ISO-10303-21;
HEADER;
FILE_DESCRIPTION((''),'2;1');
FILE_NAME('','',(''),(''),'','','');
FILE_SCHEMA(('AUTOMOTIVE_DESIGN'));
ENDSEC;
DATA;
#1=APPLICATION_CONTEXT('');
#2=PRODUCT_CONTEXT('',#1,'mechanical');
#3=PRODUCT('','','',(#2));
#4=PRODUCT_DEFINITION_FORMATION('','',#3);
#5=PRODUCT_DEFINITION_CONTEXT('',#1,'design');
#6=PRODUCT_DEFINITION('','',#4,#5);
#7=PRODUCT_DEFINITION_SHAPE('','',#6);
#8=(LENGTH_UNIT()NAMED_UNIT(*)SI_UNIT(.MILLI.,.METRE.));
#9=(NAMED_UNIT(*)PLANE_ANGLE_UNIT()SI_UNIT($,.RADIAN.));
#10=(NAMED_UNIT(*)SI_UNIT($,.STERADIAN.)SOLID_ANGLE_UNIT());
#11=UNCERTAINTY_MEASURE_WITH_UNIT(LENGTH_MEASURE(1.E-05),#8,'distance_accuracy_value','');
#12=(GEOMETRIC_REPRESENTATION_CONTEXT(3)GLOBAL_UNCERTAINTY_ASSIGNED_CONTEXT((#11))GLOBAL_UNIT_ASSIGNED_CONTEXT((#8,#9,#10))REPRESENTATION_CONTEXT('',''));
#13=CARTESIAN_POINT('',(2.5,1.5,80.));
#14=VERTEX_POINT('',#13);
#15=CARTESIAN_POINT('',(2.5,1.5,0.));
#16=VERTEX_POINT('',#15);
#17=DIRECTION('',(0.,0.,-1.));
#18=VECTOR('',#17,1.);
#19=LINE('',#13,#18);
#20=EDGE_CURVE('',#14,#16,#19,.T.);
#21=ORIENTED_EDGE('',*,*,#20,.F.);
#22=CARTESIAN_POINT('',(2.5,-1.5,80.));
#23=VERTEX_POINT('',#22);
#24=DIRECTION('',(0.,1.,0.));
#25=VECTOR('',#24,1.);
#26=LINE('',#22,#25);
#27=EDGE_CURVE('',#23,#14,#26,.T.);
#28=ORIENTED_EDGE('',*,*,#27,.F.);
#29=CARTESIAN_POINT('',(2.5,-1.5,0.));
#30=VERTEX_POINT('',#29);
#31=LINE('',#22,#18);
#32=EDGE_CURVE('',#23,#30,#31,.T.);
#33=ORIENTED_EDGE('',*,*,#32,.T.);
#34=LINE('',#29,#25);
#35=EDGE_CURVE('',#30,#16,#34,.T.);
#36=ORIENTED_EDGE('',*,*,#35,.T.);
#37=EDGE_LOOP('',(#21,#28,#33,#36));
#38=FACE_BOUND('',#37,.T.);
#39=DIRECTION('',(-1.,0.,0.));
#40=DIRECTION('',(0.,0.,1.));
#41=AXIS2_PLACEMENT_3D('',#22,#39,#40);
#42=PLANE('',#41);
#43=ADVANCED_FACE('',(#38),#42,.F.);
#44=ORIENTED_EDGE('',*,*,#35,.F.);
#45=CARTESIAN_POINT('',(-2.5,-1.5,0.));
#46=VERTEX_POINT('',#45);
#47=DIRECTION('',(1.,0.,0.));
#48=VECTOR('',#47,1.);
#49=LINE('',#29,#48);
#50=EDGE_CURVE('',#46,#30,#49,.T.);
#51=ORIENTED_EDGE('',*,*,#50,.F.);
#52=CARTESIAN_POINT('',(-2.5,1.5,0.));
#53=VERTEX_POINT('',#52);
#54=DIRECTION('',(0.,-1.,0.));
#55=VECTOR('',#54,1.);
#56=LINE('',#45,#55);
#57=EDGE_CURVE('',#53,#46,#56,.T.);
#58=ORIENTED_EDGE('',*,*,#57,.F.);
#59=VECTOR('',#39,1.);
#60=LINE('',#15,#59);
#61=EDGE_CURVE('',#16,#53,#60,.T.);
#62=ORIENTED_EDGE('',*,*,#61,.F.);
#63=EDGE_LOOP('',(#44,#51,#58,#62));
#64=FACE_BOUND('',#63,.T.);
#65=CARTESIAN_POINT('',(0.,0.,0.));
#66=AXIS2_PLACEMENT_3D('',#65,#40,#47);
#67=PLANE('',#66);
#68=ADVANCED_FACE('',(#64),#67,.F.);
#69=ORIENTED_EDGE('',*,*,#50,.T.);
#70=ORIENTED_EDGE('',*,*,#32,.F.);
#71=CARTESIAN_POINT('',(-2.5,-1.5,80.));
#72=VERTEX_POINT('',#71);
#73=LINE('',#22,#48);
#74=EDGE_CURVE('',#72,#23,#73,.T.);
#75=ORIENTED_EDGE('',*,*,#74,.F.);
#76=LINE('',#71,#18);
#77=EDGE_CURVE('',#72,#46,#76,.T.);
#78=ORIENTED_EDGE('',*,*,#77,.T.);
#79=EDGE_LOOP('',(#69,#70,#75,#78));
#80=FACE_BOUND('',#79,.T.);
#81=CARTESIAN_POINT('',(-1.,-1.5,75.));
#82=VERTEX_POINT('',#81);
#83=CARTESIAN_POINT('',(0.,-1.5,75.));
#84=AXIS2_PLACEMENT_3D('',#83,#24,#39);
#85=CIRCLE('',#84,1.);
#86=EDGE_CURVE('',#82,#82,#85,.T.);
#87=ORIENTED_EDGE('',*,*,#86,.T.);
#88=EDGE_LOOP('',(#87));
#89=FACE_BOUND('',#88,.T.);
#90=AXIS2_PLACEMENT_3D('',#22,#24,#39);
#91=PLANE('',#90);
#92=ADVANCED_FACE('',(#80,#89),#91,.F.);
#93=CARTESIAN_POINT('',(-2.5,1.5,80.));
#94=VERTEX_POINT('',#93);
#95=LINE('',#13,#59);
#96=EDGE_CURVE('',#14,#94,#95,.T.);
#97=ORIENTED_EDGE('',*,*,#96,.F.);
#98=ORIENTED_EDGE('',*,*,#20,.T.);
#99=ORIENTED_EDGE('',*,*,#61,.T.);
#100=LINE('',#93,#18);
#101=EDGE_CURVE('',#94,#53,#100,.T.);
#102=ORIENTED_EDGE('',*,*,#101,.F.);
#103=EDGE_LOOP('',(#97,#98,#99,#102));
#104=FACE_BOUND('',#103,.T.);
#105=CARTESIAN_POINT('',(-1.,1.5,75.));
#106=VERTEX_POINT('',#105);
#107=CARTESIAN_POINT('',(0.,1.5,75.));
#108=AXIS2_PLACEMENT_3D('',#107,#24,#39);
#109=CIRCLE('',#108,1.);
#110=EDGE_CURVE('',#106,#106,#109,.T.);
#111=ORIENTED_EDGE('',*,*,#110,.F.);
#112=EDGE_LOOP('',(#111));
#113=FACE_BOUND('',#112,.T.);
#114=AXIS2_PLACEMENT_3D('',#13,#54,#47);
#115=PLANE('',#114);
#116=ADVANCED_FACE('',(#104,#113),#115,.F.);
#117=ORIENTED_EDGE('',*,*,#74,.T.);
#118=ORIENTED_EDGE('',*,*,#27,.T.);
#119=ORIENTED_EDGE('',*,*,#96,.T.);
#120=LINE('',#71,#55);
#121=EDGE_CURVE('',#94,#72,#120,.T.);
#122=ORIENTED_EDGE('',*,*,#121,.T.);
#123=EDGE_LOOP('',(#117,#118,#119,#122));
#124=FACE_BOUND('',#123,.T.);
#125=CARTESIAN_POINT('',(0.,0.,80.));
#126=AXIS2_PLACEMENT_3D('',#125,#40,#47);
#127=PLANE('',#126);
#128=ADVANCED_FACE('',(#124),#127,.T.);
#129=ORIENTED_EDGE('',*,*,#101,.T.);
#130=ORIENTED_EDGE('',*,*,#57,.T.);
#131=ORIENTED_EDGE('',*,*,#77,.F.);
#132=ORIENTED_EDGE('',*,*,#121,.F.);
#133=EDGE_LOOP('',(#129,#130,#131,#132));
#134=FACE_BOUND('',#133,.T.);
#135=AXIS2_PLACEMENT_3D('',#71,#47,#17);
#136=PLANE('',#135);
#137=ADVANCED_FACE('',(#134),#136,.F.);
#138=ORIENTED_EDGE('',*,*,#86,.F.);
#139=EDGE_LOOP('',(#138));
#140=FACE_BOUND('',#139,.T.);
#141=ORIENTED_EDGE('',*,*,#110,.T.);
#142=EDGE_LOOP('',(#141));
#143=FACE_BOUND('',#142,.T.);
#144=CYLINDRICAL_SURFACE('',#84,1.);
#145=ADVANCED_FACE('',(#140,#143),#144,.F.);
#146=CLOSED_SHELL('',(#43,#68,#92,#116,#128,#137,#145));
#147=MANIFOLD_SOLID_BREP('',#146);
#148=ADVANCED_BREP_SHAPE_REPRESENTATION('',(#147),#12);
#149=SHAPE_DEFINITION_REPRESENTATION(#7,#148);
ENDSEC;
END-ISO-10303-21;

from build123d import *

# Parameters (mm, degrees)
SKETCH1_W           = 5
SKETCH1_H           = 3
BOSS_EXTRUDE1_DEPTH = 80
SKETCH2_R           = 1
CUT_EXTRUDE1_DEPTH  = 4


with BuildPart() as part:
    # Sketch1 → Boss-Extrude1 (new body)
    with BuildSketch(Plane.XY):
        Rectangle(SKETCH1_W, SKETCH1_H)
    extrude(amount=BOSS_EXTRUDE1_DEPTH)

    # Sketch2 → Cut-Extrude1 (cut, through all)
    with BuildSketch(Plane(origin=(0, 1.5, 0), x_dir=(1, 0, 0), z_dir=(0, 1, 0))):
        with Locations((0, -75)):
            Circle(SKETCH2_R)
    extrude(amount=-CUT_EXTRUDE1_DEPTH, mode=Mode.SUBTRACT)


solid = part.part
